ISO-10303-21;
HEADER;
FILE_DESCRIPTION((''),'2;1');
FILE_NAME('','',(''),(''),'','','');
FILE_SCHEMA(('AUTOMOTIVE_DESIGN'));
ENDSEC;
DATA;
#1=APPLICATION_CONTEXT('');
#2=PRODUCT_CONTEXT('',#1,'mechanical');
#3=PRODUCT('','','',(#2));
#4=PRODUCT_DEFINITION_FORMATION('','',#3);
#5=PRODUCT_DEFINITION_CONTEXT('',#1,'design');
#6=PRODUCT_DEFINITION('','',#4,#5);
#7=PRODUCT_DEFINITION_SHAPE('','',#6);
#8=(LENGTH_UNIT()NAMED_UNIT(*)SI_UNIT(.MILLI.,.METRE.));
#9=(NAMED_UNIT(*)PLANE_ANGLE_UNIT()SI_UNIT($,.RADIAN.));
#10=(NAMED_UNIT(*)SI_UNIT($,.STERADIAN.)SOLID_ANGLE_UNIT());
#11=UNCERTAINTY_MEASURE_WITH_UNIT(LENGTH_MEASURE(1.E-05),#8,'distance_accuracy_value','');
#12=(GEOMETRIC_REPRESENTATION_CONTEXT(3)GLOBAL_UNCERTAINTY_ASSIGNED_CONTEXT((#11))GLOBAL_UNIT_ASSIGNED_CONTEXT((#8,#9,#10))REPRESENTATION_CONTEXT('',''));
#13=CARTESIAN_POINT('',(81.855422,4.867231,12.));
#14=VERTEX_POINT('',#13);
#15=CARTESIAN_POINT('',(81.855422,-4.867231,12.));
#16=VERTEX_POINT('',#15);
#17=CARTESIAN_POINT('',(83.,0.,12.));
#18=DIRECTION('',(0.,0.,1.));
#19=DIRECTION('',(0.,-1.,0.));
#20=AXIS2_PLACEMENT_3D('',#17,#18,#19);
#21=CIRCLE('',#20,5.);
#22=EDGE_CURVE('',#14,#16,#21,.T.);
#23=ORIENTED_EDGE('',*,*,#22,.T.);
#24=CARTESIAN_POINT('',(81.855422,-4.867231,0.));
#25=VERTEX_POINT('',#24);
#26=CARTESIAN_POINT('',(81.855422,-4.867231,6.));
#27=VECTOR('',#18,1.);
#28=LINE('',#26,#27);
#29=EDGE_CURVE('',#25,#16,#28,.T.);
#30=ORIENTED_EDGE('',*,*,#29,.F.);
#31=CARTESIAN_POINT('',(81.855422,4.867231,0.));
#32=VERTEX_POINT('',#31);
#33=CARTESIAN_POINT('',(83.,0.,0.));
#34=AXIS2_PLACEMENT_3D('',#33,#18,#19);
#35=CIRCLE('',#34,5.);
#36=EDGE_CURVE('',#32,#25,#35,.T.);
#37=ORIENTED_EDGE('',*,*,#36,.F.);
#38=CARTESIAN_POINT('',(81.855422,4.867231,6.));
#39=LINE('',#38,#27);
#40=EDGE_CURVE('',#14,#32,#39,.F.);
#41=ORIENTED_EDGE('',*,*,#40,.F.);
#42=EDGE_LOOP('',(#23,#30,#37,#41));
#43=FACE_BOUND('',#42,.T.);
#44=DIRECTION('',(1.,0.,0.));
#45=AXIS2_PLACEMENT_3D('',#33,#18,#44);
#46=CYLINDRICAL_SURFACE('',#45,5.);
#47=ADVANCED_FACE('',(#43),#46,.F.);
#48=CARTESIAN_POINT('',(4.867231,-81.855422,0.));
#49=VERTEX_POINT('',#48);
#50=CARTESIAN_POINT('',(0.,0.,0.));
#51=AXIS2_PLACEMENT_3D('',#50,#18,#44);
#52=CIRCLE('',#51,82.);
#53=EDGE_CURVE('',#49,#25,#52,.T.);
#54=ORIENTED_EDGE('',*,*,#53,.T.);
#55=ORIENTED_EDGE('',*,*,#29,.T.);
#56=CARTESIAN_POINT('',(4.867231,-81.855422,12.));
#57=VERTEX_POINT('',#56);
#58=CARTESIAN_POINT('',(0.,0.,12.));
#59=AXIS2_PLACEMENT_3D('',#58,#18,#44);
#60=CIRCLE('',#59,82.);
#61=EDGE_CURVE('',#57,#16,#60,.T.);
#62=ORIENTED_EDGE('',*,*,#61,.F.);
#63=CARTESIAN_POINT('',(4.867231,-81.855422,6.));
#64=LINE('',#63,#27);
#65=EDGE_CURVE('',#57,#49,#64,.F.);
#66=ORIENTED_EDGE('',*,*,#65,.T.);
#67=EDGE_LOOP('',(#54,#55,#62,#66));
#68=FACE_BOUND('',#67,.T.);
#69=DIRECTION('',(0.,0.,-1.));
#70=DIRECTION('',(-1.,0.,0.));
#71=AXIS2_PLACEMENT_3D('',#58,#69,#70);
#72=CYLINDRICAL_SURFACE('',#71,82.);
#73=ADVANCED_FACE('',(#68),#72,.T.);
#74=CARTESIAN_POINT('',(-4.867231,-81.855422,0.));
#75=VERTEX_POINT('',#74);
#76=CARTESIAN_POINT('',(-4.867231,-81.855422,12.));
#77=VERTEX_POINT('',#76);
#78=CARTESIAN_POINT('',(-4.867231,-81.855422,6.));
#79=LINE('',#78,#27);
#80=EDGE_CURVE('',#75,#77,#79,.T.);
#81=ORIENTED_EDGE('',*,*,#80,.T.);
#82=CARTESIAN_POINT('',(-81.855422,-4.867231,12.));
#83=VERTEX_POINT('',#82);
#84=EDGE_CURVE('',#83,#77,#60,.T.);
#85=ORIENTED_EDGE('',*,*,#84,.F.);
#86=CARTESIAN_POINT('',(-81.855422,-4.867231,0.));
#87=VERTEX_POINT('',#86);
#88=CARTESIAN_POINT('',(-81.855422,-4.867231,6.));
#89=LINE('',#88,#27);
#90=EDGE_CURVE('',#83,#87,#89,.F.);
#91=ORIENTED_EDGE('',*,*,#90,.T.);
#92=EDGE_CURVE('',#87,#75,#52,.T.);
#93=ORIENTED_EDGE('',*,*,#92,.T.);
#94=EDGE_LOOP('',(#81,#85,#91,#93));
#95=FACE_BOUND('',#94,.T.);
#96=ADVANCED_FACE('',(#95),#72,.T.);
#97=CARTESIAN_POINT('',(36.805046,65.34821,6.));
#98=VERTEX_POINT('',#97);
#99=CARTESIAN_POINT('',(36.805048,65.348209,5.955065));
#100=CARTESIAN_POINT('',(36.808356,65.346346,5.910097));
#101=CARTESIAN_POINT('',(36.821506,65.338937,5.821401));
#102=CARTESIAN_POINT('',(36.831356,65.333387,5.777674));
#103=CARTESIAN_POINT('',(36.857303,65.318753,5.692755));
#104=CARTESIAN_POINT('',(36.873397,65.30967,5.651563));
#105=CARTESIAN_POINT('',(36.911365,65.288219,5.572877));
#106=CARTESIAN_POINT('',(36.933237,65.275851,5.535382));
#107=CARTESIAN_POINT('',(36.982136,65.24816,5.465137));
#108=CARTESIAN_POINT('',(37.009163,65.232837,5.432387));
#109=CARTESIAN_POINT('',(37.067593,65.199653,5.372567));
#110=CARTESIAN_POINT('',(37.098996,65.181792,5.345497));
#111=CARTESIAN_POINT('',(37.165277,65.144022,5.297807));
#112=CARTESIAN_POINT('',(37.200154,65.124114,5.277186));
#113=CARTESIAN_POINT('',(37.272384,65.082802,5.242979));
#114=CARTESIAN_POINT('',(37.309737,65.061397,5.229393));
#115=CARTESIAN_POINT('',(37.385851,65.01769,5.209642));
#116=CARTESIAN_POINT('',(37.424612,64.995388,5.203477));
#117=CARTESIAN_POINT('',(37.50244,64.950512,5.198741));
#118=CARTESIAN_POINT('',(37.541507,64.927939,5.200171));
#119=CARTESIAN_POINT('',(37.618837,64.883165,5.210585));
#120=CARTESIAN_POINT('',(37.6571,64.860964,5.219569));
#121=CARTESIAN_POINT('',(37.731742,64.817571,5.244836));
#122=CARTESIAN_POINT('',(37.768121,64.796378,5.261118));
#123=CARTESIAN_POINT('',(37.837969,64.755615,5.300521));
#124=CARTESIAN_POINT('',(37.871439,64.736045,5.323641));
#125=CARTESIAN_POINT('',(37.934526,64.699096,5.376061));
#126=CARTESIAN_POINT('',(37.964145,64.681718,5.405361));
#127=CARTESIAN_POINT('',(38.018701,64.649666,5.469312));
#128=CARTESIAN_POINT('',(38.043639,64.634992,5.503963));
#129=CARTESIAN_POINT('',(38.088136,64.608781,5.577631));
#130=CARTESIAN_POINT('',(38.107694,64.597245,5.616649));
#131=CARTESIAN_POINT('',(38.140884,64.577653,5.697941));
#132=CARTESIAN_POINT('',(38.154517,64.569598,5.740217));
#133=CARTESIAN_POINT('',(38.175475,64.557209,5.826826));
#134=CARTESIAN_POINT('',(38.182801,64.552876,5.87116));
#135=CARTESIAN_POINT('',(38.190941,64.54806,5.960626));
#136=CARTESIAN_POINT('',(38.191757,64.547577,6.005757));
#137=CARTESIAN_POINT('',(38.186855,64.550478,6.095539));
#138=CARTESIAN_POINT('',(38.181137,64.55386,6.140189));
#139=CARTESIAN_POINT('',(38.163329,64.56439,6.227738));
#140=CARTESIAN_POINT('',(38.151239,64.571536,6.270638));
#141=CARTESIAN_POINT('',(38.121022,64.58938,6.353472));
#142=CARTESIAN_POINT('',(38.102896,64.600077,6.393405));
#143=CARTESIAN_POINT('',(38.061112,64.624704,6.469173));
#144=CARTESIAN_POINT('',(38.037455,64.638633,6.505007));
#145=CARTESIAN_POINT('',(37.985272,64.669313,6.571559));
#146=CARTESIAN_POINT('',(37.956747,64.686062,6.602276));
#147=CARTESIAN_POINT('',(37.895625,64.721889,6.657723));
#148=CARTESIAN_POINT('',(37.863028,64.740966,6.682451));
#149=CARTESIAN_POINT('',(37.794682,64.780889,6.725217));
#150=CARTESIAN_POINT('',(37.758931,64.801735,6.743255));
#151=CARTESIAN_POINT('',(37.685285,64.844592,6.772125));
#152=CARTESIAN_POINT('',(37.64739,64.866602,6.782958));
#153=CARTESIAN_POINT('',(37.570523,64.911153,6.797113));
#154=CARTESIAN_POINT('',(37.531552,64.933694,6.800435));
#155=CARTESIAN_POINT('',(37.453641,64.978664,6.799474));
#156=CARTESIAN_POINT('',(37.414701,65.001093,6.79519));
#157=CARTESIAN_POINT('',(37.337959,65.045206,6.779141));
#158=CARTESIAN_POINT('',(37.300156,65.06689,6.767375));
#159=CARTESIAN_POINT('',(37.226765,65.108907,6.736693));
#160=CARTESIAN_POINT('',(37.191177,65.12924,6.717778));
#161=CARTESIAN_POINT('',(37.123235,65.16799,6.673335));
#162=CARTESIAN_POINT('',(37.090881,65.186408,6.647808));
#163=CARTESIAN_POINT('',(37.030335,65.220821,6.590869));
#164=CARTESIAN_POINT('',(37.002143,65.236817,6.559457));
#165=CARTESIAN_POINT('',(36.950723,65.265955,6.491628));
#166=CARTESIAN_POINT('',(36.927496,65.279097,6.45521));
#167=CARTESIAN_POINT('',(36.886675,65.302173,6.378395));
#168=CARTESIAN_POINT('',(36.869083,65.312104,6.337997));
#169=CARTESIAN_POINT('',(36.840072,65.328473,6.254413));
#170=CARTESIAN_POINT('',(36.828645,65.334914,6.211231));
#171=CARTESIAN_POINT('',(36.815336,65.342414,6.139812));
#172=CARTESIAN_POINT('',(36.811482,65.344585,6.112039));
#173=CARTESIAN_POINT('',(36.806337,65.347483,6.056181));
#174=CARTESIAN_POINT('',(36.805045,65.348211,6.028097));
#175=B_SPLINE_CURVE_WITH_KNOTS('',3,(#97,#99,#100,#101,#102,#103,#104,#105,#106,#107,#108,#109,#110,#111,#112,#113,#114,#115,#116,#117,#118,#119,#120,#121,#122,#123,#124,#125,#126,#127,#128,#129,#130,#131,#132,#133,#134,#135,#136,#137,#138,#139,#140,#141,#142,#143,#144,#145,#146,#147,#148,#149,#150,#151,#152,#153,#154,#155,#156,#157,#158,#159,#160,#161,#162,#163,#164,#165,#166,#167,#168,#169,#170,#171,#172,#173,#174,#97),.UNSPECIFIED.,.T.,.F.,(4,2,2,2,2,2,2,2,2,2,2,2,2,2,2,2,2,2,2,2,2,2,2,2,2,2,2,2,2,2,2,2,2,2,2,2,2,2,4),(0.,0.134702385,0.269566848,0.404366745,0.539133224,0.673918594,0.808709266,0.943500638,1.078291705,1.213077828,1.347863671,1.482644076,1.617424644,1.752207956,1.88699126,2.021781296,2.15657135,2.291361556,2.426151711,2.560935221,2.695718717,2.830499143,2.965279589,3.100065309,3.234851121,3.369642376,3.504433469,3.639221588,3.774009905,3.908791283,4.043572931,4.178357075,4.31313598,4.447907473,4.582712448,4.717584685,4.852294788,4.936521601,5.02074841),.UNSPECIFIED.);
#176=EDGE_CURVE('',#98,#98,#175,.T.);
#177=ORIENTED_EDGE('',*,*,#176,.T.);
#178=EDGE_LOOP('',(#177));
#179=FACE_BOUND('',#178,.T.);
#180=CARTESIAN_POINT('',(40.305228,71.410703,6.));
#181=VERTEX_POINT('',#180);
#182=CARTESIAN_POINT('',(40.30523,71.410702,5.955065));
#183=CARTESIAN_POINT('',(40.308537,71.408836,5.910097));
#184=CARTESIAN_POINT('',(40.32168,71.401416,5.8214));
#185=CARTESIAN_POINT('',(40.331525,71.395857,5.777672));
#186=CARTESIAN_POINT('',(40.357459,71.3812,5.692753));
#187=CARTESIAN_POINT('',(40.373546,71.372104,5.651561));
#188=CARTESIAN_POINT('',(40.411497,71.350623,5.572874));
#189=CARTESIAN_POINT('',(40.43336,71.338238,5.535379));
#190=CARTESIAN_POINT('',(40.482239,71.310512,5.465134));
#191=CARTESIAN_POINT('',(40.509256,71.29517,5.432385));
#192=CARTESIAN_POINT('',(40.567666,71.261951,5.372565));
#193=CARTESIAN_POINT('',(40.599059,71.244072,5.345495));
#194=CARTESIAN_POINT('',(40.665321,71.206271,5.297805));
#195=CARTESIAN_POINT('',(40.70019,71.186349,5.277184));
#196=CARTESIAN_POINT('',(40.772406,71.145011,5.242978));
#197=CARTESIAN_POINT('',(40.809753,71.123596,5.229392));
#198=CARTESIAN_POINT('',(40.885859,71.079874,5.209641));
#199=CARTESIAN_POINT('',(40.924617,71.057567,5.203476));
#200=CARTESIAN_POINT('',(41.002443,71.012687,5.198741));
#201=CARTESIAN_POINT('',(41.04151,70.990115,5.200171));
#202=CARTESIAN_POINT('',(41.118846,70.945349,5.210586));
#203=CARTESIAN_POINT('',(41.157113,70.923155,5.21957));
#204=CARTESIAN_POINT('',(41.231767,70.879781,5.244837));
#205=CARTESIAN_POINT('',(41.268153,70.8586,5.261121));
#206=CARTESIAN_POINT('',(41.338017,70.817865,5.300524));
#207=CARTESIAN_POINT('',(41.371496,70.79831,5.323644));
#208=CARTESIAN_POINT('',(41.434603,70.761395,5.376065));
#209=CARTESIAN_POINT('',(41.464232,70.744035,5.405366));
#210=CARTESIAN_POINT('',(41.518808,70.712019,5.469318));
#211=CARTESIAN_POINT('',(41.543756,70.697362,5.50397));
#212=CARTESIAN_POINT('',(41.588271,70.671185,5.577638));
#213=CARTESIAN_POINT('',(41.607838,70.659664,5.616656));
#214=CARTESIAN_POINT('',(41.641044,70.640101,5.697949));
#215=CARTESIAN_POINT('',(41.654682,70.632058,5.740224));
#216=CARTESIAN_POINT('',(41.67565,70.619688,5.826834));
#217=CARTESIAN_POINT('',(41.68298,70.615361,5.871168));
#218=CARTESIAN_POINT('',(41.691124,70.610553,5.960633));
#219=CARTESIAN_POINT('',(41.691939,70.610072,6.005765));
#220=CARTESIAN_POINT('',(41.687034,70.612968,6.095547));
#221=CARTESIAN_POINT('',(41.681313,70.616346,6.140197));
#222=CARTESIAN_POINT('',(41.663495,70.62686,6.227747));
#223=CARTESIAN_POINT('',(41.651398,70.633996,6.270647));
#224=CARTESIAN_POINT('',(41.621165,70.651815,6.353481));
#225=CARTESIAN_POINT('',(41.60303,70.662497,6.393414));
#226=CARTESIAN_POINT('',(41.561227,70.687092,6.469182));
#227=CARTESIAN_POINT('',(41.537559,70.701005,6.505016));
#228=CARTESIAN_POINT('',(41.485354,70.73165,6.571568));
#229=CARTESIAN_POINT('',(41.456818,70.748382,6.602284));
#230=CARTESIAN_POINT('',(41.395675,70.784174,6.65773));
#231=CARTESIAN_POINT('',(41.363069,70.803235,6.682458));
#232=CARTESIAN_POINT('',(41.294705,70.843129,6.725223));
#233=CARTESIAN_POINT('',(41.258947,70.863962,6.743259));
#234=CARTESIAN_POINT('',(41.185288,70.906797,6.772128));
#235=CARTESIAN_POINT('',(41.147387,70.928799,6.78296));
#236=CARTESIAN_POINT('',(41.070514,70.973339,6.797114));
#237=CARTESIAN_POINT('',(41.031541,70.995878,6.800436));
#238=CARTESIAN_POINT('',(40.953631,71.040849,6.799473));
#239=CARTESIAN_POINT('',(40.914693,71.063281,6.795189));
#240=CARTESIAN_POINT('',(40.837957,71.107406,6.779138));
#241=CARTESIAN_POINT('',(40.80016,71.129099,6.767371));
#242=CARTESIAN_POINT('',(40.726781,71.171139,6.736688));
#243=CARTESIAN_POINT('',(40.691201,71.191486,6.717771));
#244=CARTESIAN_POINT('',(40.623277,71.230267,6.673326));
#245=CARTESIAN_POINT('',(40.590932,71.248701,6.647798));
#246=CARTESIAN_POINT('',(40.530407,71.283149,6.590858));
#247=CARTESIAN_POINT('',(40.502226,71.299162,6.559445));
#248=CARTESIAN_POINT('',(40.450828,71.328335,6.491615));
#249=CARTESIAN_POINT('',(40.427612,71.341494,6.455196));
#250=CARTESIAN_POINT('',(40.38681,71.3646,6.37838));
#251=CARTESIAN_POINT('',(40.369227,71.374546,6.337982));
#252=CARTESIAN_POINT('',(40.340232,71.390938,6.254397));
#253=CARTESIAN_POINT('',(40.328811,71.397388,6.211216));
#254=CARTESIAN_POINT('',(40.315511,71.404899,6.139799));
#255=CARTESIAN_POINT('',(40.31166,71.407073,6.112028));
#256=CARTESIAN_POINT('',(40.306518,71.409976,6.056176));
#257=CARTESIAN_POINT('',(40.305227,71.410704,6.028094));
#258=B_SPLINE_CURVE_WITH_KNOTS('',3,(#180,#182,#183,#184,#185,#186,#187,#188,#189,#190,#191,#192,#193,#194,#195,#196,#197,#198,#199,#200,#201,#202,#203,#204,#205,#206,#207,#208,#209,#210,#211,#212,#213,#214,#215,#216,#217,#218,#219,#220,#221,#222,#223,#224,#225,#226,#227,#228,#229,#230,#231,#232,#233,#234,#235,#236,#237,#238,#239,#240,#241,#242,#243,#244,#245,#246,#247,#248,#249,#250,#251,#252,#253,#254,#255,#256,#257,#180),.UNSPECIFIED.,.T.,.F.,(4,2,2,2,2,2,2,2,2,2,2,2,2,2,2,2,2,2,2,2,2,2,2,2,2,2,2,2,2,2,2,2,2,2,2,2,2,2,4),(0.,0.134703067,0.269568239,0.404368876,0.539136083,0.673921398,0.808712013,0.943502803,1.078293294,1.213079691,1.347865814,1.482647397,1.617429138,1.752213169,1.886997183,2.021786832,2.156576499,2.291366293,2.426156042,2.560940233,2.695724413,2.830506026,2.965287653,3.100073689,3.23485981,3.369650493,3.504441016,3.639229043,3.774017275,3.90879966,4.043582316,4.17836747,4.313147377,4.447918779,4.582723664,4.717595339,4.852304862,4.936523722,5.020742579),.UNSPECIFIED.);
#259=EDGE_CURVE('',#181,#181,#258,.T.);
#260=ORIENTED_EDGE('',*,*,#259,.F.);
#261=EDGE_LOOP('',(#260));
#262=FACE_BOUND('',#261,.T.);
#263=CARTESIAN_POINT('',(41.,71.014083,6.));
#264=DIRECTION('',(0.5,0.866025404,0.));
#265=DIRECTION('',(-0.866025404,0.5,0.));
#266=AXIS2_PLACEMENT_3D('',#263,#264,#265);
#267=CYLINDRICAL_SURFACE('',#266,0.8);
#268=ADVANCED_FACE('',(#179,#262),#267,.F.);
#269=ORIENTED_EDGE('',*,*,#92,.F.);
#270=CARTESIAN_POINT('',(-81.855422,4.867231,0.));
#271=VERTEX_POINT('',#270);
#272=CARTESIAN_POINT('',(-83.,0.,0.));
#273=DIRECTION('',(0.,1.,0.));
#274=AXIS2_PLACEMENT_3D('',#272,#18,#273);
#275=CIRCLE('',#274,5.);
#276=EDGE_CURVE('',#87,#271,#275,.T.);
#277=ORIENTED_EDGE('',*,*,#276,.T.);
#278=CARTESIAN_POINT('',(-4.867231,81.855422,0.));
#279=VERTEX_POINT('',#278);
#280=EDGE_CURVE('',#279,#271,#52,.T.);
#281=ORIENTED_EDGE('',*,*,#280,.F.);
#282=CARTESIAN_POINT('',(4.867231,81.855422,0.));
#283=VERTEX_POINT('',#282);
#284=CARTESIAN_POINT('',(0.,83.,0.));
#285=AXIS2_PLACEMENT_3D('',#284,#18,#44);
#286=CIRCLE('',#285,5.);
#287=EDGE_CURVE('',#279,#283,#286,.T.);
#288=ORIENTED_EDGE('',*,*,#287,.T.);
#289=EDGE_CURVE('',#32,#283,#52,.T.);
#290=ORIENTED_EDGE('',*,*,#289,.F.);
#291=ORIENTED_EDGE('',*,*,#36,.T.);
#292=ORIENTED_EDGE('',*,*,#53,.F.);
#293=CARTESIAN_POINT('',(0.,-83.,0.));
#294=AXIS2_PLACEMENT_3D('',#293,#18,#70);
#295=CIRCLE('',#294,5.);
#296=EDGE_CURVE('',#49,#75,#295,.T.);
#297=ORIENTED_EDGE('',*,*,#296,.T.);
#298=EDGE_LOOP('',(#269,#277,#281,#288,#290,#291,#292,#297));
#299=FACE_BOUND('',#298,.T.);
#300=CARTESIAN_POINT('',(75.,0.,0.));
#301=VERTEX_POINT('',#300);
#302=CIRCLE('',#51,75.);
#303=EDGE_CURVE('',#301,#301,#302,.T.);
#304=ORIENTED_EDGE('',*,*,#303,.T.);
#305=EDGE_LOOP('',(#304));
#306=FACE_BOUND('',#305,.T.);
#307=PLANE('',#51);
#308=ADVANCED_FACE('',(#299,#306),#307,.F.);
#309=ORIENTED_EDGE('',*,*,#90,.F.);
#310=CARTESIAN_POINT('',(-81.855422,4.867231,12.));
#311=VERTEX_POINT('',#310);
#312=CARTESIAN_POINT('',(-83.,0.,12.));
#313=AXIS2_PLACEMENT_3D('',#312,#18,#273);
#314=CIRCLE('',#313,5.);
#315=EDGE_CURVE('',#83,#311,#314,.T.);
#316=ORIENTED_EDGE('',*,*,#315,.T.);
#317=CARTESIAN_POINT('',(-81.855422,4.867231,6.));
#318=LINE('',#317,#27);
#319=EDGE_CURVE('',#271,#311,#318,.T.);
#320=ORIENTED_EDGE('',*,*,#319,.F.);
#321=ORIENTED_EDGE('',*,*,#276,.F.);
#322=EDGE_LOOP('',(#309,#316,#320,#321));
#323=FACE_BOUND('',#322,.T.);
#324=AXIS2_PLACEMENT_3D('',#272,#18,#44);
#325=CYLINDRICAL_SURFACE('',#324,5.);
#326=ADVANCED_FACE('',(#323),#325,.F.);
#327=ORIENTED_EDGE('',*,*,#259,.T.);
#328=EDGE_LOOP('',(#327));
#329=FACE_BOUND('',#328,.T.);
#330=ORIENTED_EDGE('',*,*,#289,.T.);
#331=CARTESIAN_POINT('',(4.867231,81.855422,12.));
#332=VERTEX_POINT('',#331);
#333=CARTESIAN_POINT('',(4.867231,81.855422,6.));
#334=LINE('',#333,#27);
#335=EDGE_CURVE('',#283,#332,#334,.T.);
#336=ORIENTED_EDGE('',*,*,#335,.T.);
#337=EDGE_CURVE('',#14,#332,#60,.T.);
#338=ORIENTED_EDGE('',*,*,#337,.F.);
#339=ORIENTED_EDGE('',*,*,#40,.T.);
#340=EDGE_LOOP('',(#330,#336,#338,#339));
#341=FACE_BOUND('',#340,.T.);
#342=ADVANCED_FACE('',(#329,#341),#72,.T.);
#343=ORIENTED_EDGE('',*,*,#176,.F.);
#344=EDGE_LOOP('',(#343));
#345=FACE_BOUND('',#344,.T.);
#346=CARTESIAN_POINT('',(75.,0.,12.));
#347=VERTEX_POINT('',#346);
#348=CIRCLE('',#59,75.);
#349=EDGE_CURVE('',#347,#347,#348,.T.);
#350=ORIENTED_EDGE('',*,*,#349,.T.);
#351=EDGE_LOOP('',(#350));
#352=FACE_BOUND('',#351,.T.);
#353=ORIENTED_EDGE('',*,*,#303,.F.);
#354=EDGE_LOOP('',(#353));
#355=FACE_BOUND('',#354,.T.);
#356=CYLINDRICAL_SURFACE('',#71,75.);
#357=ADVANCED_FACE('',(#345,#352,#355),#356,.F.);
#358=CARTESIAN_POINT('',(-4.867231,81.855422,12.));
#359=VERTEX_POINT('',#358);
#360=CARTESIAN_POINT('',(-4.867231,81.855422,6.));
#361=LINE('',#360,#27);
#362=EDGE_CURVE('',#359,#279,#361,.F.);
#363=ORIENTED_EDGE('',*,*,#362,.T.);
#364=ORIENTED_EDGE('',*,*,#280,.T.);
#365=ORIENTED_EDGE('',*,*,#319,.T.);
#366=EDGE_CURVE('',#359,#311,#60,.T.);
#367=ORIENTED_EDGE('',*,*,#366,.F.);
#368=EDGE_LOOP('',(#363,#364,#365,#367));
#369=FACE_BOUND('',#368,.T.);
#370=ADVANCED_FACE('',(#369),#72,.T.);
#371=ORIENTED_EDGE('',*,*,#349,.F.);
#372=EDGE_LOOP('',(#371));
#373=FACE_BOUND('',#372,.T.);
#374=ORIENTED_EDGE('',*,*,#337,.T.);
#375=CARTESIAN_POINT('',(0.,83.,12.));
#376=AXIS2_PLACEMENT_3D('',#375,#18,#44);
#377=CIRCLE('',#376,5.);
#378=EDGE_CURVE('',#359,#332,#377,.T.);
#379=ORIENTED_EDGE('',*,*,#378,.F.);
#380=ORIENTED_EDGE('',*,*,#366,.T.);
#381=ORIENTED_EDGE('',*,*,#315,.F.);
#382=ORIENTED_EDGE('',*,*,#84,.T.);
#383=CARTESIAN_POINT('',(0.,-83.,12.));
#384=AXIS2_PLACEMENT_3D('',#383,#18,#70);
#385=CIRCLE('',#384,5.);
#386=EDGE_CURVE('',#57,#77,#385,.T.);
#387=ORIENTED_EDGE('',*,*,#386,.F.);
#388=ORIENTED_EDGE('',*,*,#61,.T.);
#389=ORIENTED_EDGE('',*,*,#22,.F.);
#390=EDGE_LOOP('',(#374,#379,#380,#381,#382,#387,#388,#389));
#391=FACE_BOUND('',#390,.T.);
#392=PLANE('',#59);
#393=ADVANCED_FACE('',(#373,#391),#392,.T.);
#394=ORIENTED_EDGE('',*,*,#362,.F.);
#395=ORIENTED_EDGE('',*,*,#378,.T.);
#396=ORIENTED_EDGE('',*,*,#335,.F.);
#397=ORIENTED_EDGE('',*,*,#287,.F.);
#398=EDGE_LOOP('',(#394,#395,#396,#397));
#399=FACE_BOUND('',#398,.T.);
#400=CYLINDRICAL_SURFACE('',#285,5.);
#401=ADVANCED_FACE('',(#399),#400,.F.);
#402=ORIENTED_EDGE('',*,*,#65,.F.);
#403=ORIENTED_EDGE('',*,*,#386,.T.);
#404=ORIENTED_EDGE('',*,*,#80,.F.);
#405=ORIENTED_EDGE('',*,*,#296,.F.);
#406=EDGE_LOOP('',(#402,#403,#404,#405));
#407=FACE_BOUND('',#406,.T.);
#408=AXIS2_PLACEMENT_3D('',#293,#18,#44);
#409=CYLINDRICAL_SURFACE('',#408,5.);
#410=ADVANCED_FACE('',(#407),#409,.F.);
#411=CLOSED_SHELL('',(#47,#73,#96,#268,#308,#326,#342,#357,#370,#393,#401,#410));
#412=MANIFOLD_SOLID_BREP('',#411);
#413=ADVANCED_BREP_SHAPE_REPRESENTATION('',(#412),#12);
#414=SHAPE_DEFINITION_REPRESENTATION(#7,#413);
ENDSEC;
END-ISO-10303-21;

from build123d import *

# Parameters (mm, degrees)
SKETCH1_R                 = 82
SKETCH1_R_2               = 75
BOSS_EXTRUDE1_DEPTH       = 12
SKETCH2_R                 = 5
CUT_EXTRUDE1_DEPTH        = 117.584733134
CIRPATTERN1_COUNT         = 4
M2X0_4_TAPPED_HOLE1_D     = 1.6
M2X0_4_TAPPED_HOLE1_DEPTH = 10
M2X0_4_TAPPED_HOLE1_TIP   = 0.480688495


with BuildPart() as part:
    # Sketch1 → Boss-Extrude1 (new body)
    with BuildSketch(Plane.XY):
        Circle(SKETCH1_R)
        Circle(SKETCH1_R_2, mode=Mode.SUBTRACT)
    extrude(amount=BOSS_EXTRUDE1_DEPTH)

    # Sketch2 → Cut-Extrude1 (cut, through all)
    with BuildSketch(Plane.XY.offset(12)):
        with Locations((0, 83)):
            Circle(SKETCH2_R)
    cut_extrude1 = extrude(amount=-CUT_EXTRUDE1_DEPTH, mode=Mode.SUBTRACT)

    # CirPattern1: Cut-Extrude1 ×4 about axis
    cirpattern1_axis = Axis((0, 0, 0), (0, 0, 1))
    for i in range(1, CIRPATTERN1_COUNT):
        add(cut_extrude1.rotate(cirpattern1_axis, i * 360 / CIRPATTERN1_COUNT), mode=Mode.SUBTRACT)

    # M2x0.4 Tapped Hole1
    with Locations(Plane(origin=(41, 71.01408311, 6), x_dir=(0.866025403784, -0.5, 0), z_dir=(0.5, 0.866025403784, 0))):
        with Locations((0, 0)):
            Hole(M2X0_4_TAPPED_HOLE1_D / 2, depth=M2X0_4_TAPPED_HOLE1_DEPTH)
            with Locations((0, 0, -(M2X0_4_TAPPED_HOLE1_DEPTH + M2X0_4_TAPPED_HOLE1_TIP / 2))):  # 118° drill point
                Cone(0, M2X0_4_TAPPED_HOLE1_D / 2, M2X0_4_TAPPED_HOLE1_TIP, mode=Mode.SUBTRACT)


solid = part.part
